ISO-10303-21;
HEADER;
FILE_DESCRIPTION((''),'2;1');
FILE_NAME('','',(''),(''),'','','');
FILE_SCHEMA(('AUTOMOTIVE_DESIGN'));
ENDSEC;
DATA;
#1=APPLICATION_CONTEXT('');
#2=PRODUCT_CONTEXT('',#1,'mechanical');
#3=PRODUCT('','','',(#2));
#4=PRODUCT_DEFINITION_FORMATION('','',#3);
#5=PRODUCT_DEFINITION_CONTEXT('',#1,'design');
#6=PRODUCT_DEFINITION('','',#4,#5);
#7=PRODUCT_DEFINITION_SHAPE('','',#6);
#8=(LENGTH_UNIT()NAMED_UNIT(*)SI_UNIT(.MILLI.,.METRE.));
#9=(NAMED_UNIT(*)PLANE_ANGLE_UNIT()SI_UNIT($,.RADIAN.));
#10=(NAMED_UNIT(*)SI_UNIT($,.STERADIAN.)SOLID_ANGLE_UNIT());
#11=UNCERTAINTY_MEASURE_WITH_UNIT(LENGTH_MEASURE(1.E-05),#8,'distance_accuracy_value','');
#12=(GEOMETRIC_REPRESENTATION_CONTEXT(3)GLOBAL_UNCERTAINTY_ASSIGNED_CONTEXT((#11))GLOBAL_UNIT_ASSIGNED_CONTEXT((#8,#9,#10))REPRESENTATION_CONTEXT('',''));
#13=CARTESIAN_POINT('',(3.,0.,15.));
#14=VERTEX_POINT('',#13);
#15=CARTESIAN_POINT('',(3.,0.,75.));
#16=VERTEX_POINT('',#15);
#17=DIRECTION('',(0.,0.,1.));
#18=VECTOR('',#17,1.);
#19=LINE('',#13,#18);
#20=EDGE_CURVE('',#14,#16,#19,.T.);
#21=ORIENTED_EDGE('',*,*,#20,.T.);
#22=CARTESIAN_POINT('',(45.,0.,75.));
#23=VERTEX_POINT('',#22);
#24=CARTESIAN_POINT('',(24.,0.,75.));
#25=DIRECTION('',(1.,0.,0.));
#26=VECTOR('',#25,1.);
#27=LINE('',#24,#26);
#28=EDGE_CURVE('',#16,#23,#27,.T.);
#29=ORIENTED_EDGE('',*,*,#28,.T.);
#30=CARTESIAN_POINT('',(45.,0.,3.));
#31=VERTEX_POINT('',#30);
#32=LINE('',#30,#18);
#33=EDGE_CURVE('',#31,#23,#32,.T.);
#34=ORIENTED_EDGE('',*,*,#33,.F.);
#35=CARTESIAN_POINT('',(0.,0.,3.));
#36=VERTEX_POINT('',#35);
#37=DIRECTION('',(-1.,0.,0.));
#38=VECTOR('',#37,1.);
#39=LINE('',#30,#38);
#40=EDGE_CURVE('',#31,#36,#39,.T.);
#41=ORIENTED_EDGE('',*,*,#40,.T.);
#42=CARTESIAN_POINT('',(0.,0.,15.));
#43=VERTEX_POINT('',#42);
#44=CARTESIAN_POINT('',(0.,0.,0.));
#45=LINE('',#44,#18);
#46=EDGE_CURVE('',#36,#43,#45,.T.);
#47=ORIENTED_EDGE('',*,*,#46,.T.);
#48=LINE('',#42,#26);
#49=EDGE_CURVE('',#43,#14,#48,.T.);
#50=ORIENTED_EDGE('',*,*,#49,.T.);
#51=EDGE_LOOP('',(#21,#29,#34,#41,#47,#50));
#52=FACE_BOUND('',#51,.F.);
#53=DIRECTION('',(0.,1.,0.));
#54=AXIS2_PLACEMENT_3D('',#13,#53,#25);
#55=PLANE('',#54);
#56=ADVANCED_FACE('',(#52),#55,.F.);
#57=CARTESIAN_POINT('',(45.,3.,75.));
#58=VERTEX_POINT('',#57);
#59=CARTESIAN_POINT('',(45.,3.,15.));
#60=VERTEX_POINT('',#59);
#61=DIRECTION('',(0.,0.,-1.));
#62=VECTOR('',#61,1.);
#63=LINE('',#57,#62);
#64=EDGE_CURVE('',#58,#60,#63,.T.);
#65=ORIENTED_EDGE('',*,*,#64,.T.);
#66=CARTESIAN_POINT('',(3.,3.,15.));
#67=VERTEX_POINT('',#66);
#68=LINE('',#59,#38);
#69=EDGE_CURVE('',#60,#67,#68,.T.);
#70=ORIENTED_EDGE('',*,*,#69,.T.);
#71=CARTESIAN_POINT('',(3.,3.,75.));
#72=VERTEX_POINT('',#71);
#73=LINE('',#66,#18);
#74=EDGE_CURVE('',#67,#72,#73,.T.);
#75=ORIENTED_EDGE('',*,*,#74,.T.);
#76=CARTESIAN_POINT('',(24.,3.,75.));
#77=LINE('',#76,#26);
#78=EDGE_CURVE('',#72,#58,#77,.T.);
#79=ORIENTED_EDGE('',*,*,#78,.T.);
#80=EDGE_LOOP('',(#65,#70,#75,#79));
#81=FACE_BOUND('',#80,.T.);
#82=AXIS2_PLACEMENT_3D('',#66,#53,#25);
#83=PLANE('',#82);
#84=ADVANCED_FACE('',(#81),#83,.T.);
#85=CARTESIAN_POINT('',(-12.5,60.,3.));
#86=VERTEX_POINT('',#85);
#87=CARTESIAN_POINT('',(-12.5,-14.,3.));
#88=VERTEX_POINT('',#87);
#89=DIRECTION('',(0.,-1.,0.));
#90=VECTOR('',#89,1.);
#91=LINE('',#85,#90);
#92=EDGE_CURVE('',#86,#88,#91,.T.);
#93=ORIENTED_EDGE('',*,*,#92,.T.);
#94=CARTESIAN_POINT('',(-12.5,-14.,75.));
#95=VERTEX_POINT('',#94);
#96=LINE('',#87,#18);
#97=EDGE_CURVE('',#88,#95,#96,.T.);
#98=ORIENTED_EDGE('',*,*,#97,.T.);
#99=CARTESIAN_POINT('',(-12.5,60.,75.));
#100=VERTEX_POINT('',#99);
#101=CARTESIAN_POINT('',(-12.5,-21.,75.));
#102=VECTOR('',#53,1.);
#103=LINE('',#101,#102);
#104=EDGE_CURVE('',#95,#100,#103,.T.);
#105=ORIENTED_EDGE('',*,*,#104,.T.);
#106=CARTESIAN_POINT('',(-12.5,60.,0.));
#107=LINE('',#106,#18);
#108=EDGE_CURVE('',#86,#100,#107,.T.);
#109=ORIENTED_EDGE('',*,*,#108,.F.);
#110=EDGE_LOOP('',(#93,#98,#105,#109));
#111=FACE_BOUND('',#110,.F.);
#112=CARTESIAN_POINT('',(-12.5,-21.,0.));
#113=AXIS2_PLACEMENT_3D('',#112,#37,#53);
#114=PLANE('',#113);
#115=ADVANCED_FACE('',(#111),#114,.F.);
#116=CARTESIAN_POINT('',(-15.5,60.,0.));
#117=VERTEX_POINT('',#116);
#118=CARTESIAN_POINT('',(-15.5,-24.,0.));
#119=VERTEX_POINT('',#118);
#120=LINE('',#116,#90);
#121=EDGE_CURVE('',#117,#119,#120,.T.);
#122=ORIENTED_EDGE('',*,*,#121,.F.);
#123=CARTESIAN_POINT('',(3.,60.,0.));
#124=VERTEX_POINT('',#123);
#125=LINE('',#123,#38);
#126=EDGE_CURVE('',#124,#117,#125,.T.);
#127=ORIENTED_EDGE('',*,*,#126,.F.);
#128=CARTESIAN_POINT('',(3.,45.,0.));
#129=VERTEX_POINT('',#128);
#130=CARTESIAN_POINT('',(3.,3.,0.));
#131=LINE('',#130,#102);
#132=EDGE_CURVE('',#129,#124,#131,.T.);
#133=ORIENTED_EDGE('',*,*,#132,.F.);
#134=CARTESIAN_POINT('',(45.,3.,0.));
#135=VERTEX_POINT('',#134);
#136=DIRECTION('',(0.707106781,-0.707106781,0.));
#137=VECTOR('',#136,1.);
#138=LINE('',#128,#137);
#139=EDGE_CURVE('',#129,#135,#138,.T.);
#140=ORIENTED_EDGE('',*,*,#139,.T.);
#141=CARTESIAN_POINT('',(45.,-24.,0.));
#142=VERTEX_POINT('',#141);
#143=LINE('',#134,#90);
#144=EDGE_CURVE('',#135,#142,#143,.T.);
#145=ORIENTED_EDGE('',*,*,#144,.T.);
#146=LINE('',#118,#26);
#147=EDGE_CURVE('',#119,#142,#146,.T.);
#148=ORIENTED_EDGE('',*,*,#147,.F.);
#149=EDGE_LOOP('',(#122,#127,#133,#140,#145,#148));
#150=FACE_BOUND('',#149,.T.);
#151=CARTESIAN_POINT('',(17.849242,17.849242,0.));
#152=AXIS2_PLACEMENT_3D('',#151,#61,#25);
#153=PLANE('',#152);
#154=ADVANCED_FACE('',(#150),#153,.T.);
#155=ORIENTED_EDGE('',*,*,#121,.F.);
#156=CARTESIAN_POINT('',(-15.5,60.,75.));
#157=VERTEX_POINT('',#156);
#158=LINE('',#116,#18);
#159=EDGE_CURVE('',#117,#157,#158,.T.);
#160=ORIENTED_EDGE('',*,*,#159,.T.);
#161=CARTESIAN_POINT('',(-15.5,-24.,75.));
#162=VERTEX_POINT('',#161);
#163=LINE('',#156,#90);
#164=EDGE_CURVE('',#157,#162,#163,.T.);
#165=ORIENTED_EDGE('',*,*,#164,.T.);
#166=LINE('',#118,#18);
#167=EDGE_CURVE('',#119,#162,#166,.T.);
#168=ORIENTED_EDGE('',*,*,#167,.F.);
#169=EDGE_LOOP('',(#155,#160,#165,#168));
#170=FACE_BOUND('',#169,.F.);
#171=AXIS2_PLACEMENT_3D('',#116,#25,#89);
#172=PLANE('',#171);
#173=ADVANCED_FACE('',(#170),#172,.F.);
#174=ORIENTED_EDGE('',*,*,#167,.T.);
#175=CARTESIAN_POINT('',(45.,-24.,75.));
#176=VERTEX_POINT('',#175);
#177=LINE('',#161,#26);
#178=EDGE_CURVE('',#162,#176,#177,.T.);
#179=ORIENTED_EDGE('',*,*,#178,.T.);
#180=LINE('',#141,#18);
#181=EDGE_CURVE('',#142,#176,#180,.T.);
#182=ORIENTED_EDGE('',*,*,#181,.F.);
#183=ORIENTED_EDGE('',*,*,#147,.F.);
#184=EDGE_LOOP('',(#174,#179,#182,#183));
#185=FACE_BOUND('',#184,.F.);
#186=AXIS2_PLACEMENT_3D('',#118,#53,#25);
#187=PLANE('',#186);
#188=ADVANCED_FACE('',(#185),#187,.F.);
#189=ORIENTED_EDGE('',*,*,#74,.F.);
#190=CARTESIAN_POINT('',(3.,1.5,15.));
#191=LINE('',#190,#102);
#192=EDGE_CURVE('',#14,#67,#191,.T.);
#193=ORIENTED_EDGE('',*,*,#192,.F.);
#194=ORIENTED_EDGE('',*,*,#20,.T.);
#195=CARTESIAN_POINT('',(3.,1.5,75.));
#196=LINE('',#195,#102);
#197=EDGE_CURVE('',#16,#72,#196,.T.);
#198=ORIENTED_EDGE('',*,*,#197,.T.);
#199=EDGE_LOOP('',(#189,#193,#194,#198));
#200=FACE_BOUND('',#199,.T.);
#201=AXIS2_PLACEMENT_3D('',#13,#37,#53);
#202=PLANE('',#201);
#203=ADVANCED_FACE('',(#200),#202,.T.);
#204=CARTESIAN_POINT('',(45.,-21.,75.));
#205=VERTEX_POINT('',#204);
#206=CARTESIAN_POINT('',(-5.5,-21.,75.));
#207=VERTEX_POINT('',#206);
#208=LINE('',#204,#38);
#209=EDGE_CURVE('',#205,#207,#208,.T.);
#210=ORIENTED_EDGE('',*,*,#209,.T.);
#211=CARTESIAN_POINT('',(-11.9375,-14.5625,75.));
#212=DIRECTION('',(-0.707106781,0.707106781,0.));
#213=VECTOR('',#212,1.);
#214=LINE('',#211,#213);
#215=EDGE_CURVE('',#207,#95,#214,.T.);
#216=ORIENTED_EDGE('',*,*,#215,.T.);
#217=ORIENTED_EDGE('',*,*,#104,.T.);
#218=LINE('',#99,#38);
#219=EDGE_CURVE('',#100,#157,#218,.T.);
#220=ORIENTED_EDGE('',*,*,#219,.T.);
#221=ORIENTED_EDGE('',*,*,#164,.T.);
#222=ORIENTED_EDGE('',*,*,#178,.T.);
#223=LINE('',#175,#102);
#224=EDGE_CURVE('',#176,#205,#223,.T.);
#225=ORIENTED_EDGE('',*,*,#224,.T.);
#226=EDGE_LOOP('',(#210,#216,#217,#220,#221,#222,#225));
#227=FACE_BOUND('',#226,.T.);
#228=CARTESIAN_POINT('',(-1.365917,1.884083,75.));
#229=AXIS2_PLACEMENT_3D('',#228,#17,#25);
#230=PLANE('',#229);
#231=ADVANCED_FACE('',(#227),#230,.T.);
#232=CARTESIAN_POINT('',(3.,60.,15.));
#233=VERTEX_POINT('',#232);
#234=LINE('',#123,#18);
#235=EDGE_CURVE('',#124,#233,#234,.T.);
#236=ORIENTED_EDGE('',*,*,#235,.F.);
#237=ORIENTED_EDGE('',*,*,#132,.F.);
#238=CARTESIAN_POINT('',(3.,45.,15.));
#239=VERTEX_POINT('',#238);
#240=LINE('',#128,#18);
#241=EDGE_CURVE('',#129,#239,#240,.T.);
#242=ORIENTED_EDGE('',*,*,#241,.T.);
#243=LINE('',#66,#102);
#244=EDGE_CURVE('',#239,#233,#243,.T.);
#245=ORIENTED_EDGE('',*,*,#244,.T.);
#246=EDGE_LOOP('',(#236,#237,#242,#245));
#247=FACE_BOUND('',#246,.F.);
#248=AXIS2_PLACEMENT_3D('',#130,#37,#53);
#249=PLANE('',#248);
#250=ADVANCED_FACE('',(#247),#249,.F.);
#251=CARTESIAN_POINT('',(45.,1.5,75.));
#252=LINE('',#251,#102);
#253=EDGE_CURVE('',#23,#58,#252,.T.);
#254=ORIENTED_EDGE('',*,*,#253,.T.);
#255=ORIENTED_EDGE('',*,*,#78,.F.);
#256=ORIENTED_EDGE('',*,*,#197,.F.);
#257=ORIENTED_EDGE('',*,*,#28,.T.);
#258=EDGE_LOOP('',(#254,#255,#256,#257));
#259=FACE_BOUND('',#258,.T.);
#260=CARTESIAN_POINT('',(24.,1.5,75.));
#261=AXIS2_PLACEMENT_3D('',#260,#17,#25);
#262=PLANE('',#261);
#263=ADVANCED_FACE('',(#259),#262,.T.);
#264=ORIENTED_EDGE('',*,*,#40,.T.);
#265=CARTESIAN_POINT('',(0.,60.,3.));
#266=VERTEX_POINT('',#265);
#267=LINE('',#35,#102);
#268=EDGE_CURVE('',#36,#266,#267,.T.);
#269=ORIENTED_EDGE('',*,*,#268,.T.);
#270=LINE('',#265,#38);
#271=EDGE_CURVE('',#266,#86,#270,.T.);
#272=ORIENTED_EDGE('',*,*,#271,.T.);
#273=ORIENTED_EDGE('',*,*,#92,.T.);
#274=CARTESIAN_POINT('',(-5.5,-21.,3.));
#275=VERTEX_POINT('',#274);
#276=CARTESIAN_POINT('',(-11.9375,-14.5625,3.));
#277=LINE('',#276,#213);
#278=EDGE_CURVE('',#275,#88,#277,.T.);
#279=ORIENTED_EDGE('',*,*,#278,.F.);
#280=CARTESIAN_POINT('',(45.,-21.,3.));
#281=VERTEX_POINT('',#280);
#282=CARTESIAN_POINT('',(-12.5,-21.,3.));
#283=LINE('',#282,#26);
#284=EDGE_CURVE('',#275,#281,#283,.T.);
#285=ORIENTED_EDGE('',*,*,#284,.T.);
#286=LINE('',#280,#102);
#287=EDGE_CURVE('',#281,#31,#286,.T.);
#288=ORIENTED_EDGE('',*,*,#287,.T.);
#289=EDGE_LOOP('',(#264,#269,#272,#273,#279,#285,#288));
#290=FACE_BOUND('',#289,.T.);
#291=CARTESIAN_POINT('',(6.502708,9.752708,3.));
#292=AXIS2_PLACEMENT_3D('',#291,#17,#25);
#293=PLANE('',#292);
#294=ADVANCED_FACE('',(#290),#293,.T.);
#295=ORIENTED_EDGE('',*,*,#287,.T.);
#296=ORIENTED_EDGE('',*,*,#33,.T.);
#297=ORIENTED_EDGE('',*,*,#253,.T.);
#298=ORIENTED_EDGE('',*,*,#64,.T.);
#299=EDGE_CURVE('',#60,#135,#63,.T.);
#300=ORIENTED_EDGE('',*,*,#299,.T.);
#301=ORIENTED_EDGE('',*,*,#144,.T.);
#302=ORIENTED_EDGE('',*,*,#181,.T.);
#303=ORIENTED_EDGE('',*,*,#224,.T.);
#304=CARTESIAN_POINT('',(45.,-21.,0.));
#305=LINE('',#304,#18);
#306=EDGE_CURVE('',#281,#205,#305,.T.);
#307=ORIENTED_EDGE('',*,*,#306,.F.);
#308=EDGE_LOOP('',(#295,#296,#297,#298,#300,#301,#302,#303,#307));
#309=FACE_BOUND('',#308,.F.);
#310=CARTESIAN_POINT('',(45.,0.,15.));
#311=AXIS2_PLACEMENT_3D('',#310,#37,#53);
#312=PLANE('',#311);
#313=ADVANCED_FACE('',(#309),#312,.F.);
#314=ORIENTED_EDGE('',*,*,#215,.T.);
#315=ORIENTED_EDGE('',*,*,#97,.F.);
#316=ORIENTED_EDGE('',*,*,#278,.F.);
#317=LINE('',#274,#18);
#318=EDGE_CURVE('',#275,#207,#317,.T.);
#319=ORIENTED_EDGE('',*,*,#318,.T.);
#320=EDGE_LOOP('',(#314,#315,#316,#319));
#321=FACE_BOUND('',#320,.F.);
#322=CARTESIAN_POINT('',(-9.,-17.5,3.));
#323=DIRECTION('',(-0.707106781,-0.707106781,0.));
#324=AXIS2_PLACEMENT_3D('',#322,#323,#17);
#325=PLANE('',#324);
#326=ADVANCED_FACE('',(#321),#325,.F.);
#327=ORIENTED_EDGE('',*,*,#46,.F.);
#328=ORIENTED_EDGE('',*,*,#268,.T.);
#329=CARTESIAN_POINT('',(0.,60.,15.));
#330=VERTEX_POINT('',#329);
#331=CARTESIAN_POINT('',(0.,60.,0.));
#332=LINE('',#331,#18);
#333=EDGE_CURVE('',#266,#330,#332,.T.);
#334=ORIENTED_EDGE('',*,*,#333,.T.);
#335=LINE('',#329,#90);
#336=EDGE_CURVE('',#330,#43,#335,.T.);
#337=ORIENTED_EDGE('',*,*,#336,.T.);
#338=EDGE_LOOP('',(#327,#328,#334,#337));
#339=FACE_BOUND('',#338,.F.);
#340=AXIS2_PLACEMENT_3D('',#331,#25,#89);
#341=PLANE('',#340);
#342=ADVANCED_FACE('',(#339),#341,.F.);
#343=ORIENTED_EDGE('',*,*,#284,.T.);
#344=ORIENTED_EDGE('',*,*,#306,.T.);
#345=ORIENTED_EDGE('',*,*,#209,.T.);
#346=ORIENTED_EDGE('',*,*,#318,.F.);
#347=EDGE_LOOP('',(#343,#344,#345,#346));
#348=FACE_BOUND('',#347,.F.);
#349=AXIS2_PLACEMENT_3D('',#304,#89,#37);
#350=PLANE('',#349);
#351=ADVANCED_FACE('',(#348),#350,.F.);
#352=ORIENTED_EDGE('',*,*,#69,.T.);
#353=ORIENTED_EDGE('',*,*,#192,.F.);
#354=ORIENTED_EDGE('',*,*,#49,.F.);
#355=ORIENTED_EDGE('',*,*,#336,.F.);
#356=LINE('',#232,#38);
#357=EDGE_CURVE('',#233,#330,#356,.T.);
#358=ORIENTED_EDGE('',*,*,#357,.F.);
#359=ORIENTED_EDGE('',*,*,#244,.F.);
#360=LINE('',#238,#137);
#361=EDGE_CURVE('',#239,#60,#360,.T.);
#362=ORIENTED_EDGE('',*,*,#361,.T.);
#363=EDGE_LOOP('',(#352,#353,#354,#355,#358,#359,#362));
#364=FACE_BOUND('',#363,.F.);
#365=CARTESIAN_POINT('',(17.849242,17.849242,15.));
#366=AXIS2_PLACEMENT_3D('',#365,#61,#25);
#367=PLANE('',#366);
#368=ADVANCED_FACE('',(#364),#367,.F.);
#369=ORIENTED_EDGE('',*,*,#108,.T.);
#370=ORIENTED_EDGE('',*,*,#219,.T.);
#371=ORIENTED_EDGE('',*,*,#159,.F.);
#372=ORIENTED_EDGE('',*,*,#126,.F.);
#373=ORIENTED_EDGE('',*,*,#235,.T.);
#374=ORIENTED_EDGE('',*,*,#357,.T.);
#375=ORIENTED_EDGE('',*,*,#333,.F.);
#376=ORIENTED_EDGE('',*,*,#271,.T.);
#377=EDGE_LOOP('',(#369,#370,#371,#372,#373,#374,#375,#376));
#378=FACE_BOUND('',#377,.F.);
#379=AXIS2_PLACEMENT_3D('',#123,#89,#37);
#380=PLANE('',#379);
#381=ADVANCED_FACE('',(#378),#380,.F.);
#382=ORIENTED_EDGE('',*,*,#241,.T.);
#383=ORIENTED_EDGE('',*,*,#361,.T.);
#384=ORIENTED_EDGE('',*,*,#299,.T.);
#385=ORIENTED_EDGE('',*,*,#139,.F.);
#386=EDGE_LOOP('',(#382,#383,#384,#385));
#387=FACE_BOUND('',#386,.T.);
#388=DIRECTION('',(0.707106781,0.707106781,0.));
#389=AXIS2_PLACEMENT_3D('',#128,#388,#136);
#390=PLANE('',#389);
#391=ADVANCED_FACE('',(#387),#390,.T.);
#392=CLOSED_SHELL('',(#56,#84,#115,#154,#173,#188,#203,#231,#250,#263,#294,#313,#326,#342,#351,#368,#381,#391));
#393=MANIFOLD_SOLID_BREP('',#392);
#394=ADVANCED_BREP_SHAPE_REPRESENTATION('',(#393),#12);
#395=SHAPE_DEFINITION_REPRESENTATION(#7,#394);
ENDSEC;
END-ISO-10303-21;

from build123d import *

# Parameters (mm, degrees)
F1_DEPTH = 3
F2_DEPTH = 75
F3_DEPTH = 15
F4_SIZE  = 7
F5_W     = 42
F5_H     = 3
F6_DEPTH = 60
F8_DEPTH = 15


with BuildPart() as f1:
    # F0 (on Top) → F1 (new body)
    with BuildSketch(Plane.XY):
        Polygon((0, 60), (-12.5, 60), (-12.5, -21), (45, -21), (45, 0), (0, 0), align=None)
    extrude(amount=F1_DEPTH)

    # F0 (on Top) → F2 (join)
    with BuildSketch(Plane.XY):
        Polygon((-12.5, -21), (-12.5, 60), (-15.5, 60), (-15.5, -24), (45, -24), (45, -21), align=None)
    extrude(amount=F2_DEPTH)

    # F0 (on Top) → F3 (join)
    with BuildSketch(Plane.XY):
        Polygon((3, 60), (0, 60), (0, 0), (45, 0), (45, 3), (3, 3), align=None)
    extrude(amount=F3_DEPTH)

    # F4
    f4_edges = [f1.edges().sort_by_distance(p)[0] for p in [
        (-12.5, -21, 39),
    ]]
    chamfer(f4_edges, length=F4_SIZE)

    # F5 (on face) → F6 (join, through all)
    with BuildSketch(Plane.XY.offset(15)):
        with Locations((24, 1.5)):
            Rectangle(F5_W, F5_H)
    extrude(amount=F6_DEPTH)

    # F7 (on face) → F8 (join, through all)
    with BuildSketch(Plane(origin=(0, 0, 0), x_dir=(1, 0, 0), z_dir=(0, 0, -1))):
        Polygon((3, -45), (45, -3), (3, -3), align=None)
    extrude(amount=-F8_DEPTH)


solid = f1.part
